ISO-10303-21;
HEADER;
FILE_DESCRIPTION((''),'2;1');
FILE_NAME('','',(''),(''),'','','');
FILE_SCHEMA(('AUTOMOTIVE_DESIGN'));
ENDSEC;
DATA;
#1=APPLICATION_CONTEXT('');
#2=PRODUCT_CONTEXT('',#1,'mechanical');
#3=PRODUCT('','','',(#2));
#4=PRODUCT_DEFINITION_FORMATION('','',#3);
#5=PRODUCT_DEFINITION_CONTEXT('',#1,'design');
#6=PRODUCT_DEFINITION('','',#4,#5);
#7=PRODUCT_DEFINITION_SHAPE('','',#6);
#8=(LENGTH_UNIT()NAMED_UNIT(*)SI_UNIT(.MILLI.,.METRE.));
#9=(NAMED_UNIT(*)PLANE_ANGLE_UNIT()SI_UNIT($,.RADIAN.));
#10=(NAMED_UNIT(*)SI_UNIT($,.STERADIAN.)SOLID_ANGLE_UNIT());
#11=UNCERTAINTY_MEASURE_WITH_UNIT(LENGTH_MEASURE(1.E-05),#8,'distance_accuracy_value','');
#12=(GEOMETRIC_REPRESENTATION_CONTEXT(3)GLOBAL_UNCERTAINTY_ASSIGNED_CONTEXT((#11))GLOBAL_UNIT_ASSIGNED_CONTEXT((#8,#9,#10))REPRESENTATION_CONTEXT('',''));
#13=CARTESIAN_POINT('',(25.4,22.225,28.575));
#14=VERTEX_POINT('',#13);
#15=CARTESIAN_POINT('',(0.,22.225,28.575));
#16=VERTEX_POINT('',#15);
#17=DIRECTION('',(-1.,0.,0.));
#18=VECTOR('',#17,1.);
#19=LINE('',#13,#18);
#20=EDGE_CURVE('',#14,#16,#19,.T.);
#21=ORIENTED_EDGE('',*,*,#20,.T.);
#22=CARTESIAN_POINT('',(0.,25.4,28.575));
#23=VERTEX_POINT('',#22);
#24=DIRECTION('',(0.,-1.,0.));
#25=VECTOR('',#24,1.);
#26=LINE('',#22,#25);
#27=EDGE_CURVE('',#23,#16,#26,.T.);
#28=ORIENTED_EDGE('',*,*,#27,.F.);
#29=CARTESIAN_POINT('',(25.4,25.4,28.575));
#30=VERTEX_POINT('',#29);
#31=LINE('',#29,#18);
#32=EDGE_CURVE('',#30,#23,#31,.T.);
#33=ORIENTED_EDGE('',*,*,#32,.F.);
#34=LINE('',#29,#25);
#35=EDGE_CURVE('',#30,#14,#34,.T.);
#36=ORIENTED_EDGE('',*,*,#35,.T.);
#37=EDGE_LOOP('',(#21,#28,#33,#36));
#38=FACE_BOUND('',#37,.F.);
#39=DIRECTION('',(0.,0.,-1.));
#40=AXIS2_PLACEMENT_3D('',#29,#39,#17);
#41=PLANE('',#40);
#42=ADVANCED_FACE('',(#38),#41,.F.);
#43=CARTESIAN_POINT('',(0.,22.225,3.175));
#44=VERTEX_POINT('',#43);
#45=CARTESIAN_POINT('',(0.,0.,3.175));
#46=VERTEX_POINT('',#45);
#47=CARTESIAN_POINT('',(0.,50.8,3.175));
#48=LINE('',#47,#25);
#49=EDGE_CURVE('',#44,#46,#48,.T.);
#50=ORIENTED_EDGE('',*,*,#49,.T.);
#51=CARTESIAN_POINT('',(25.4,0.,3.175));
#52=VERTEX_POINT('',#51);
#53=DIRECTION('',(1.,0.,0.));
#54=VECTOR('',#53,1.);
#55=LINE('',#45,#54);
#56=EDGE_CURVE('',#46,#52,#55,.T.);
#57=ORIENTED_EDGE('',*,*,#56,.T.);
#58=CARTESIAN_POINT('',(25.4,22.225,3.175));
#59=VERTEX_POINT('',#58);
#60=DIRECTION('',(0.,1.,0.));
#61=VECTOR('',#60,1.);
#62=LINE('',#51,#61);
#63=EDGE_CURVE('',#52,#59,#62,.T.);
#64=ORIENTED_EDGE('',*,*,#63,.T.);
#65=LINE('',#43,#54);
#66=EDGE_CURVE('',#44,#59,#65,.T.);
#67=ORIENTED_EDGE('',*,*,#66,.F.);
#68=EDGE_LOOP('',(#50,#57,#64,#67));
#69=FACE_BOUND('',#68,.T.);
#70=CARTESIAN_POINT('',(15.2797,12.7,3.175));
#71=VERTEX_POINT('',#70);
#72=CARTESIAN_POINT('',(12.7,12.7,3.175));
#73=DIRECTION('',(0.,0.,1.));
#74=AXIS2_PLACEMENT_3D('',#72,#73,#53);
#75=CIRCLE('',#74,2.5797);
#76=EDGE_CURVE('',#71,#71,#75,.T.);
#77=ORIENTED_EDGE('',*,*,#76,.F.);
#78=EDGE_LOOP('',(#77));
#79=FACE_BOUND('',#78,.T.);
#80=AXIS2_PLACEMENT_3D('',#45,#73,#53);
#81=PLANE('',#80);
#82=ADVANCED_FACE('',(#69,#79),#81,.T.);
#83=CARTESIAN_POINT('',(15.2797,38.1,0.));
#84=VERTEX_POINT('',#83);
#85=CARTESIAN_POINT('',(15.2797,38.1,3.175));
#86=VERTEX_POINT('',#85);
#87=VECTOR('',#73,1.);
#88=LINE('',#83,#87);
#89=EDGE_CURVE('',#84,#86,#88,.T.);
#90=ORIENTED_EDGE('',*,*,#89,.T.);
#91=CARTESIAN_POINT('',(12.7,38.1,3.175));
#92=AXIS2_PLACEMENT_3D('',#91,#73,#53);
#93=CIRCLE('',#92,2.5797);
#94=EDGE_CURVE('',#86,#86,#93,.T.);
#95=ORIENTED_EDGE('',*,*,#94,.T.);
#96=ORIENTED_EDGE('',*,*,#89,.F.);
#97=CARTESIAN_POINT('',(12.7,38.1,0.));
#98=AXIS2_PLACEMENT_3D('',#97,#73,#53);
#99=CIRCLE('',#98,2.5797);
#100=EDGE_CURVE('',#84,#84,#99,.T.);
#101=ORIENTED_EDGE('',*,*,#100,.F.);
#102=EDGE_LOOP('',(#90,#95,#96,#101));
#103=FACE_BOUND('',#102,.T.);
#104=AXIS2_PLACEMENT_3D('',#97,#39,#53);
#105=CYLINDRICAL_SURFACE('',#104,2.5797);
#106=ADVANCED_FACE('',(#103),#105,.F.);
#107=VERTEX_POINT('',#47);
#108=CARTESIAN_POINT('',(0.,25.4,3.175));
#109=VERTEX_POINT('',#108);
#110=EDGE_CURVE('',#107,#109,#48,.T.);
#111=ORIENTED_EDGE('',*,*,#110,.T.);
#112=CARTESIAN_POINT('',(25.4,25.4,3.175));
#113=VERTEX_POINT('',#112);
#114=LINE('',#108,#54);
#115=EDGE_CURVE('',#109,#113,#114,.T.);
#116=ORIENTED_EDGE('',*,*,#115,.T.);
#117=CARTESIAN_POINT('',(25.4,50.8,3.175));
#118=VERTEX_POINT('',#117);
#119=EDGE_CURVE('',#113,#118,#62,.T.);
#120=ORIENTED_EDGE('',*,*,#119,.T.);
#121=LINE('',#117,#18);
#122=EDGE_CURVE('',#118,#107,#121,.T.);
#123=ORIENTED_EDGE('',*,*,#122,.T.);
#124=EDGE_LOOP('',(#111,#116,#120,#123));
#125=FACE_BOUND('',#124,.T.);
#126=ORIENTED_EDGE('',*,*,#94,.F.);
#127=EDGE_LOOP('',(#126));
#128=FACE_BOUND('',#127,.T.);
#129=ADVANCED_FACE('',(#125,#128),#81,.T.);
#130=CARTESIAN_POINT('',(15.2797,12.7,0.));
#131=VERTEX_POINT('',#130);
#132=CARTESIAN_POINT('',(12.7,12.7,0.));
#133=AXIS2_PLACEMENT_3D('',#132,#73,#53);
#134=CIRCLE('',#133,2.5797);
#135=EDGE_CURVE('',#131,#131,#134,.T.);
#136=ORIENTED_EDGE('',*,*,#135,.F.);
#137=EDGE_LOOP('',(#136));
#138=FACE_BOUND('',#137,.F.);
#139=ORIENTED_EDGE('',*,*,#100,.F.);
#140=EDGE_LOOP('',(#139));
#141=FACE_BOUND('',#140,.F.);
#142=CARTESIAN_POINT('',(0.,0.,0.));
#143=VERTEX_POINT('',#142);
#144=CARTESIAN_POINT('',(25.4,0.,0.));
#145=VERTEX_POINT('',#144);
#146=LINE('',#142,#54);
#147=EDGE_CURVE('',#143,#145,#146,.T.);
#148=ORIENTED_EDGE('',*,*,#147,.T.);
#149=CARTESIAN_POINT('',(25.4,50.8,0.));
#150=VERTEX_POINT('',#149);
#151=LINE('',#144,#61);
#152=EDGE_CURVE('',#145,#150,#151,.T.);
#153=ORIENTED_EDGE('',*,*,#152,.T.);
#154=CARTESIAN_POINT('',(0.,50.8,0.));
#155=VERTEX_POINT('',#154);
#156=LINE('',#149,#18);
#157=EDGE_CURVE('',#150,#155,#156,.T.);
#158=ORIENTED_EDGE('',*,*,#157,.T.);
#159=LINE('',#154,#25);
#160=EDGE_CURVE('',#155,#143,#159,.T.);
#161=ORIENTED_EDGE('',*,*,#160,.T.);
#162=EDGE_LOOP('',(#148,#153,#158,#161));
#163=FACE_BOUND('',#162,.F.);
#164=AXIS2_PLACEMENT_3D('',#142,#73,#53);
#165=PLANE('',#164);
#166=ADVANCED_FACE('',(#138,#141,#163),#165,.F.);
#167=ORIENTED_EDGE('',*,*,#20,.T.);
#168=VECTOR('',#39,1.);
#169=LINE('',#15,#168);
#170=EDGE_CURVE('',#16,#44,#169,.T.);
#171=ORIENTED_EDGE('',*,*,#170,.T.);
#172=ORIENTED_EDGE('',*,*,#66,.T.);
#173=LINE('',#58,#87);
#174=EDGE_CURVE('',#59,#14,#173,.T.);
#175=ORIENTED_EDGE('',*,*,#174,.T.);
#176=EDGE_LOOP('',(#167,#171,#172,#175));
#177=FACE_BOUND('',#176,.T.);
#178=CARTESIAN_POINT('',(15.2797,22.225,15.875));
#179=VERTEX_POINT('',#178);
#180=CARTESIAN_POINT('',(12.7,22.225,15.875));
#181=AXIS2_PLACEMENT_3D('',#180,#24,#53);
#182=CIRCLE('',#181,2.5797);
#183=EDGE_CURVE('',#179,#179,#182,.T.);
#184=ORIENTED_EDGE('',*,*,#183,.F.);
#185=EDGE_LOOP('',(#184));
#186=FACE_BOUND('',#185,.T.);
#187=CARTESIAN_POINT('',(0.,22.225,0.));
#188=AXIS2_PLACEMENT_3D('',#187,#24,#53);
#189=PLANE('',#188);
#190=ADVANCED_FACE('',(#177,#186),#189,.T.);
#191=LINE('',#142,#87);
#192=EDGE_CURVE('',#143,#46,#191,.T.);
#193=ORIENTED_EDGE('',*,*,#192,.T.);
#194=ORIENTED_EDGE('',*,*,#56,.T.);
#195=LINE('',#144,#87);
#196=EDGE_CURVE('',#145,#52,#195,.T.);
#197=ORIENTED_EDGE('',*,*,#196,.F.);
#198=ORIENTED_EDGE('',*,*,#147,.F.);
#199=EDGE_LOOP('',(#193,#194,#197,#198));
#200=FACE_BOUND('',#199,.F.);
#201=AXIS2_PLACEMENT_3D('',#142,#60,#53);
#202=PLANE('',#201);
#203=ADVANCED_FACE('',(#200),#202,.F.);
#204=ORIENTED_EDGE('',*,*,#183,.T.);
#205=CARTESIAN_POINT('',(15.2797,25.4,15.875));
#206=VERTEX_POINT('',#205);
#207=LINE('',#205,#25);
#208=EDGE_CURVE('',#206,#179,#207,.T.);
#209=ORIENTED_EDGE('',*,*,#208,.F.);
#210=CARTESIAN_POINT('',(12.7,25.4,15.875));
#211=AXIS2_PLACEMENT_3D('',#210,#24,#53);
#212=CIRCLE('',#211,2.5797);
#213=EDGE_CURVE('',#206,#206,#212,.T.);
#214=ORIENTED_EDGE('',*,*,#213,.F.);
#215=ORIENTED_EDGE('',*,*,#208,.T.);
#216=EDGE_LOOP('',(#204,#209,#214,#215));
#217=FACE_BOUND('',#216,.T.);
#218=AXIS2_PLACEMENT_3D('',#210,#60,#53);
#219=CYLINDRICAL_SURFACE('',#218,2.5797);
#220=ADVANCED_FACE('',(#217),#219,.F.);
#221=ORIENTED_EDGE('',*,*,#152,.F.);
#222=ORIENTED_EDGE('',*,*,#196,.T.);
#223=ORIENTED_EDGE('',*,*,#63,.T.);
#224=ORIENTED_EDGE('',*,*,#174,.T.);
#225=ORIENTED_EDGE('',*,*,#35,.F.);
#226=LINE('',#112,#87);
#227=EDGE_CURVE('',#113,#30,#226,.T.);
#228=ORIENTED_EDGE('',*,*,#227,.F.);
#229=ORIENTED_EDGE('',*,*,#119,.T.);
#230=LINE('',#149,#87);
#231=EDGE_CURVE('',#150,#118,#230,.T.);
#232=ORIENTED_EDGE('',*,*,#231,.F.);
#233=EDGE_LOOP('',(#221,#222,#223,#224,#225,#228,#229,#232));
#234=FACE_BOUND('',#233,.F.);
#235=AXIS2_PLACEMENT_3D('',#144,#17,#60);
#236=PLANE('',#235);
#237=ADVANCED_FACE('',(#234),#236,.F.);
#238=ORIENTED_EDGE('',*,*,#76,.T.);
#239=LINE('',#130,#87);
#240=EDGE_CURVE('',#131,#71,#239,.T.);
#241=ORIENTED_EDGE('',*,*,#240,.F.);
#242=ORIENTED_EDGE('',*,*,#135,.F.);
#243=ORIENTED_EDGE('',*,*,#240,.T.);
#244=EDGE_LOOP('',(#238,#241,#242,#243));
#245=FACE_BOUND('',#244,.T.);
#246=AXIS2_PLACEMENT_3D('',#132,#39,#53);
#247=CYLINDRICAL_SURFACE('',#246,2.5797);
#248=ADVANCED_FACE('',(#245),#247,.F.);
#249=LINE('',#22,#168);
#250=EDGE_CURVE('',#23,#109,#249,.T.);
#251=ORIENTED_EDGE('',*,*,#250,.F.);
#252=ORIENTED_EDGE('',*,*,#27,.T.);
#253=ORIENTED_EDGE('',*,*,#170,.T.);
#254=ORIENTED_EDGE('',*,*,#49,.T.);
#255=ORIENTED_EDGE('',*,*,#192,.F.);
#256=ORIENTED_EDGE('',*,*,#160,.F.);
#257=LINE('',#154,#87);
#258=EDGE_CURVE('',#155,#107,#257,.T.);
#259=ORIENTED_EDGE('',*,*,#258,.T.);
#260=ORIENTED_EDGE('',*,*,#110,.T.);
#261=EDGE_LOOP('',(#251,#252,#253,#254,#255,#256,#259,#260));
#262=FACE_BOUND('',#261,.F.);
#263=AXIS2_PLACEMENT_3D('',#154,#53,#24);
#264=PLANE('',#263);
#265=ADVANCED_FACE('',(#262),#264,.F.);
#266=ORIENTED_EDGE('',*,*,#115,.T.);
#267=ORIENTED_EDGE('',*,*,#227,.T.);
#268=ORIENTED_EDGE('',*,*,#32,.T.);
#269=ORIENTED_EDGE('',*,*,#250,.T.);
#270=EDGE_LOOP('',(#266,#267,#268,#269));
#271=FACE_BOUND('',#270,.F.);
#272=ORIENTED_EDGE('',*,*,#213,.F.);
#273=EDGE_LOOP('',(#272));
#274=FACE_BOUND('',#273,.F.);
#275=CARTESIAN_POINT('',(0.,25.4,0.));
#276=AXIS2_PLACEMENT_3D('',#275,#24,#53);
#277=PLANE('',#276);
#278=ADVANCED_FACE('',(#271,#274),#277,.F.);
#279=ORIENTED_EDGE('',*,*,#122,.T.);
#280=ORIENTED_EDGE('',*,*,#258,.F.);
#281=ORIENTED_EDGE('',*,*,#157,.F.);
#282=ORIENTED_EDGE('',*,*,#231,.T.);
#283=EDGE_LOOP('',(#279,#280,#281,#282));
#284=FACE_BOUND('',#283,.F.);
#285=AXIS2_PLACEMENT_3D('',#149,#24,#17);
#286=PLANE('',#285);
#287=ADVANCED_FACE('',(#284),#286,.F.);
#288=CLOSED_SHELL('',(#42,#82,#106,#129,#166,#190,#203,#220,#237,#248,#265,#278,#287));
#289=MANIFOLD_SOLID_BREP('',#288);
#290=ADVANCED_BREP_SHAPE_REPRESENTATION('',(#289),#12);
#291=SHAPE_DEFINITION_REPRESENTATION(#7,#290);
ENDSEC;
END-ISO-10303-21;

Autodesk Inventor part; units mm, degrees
ref_plane "YZ Plane" through (0, 0, 0) normal (1, 0, 0) x (0, 1, 0)
ref_plane "XZ Plane" through (0, 0, 0) normal (0, 1, 0) x (-1, 0, 0)
sketch "Sketch1" plane through (0, 0, 0) normal (0, 0, 1) x (1, 0, 0)
  line L0 (0, 0) -> (25.4, 0)
  line L1 (25.4, 0) -> (25.4, 50.8)
  line L2 (25.4, 50.8) -> (0, 50.8)
  line L3 (0, 50.8) -> (0, 0)
  line L4 (12.7, 0) -> (12.7, 12.7) construction
  circle A0 centre (12.7, 12.7) radius 2.5797
  line L5 (12.7, 50.8) -> (12.7, 38.1) construction
  circle A1 centre (12.7, 38.1) radius 2.5797
  dimension "d0" = 25.4
  dimension "d1" = 50.8
  dimension "d13" = 12.7
  dimension "d14" = 5.1594
  dimension "d15" = 12.7
  dimension "d16" = 5.1594
ref_plane "Work Plane1" through (0, 25.4, 0) normal (0, -1, 0) x (1, 0, 0)
sketch "Sketch2" plane through (0, 25.4, 0) normal (0, -1, 0) x (1, 0, 0)
  line L0 (0, 3.175) -> (25.4, 3.175) projected
  line L1 (0, 3.175) -> (25.4, 3.175)
  line L2 (25.4, 3.175) -> (25.4, 28.575)
  line L3 (25.4, 28.575) -> (0, 28.575)
  line L4 (0, 28.575) -> (0, 3.175)
  line L5 (12.7, 28.575) -> (12.7, 15.875) construction
  circle A0 centre (12.7, 15.875) radius 2.5797
  point P0 (0, 0)
  dimension "d5" = 25.4
  dimension "d6" = 25.4
  dimension "d9" = 12.7
  dimension "d10" = 5.1594
extrude "Extrusion3" add sketch "Sketch2" along normal blind 3.175
extrude "Extrusion4" add sketch "Sketch1" along normal blind 3.175
properties part number "spring connector"
